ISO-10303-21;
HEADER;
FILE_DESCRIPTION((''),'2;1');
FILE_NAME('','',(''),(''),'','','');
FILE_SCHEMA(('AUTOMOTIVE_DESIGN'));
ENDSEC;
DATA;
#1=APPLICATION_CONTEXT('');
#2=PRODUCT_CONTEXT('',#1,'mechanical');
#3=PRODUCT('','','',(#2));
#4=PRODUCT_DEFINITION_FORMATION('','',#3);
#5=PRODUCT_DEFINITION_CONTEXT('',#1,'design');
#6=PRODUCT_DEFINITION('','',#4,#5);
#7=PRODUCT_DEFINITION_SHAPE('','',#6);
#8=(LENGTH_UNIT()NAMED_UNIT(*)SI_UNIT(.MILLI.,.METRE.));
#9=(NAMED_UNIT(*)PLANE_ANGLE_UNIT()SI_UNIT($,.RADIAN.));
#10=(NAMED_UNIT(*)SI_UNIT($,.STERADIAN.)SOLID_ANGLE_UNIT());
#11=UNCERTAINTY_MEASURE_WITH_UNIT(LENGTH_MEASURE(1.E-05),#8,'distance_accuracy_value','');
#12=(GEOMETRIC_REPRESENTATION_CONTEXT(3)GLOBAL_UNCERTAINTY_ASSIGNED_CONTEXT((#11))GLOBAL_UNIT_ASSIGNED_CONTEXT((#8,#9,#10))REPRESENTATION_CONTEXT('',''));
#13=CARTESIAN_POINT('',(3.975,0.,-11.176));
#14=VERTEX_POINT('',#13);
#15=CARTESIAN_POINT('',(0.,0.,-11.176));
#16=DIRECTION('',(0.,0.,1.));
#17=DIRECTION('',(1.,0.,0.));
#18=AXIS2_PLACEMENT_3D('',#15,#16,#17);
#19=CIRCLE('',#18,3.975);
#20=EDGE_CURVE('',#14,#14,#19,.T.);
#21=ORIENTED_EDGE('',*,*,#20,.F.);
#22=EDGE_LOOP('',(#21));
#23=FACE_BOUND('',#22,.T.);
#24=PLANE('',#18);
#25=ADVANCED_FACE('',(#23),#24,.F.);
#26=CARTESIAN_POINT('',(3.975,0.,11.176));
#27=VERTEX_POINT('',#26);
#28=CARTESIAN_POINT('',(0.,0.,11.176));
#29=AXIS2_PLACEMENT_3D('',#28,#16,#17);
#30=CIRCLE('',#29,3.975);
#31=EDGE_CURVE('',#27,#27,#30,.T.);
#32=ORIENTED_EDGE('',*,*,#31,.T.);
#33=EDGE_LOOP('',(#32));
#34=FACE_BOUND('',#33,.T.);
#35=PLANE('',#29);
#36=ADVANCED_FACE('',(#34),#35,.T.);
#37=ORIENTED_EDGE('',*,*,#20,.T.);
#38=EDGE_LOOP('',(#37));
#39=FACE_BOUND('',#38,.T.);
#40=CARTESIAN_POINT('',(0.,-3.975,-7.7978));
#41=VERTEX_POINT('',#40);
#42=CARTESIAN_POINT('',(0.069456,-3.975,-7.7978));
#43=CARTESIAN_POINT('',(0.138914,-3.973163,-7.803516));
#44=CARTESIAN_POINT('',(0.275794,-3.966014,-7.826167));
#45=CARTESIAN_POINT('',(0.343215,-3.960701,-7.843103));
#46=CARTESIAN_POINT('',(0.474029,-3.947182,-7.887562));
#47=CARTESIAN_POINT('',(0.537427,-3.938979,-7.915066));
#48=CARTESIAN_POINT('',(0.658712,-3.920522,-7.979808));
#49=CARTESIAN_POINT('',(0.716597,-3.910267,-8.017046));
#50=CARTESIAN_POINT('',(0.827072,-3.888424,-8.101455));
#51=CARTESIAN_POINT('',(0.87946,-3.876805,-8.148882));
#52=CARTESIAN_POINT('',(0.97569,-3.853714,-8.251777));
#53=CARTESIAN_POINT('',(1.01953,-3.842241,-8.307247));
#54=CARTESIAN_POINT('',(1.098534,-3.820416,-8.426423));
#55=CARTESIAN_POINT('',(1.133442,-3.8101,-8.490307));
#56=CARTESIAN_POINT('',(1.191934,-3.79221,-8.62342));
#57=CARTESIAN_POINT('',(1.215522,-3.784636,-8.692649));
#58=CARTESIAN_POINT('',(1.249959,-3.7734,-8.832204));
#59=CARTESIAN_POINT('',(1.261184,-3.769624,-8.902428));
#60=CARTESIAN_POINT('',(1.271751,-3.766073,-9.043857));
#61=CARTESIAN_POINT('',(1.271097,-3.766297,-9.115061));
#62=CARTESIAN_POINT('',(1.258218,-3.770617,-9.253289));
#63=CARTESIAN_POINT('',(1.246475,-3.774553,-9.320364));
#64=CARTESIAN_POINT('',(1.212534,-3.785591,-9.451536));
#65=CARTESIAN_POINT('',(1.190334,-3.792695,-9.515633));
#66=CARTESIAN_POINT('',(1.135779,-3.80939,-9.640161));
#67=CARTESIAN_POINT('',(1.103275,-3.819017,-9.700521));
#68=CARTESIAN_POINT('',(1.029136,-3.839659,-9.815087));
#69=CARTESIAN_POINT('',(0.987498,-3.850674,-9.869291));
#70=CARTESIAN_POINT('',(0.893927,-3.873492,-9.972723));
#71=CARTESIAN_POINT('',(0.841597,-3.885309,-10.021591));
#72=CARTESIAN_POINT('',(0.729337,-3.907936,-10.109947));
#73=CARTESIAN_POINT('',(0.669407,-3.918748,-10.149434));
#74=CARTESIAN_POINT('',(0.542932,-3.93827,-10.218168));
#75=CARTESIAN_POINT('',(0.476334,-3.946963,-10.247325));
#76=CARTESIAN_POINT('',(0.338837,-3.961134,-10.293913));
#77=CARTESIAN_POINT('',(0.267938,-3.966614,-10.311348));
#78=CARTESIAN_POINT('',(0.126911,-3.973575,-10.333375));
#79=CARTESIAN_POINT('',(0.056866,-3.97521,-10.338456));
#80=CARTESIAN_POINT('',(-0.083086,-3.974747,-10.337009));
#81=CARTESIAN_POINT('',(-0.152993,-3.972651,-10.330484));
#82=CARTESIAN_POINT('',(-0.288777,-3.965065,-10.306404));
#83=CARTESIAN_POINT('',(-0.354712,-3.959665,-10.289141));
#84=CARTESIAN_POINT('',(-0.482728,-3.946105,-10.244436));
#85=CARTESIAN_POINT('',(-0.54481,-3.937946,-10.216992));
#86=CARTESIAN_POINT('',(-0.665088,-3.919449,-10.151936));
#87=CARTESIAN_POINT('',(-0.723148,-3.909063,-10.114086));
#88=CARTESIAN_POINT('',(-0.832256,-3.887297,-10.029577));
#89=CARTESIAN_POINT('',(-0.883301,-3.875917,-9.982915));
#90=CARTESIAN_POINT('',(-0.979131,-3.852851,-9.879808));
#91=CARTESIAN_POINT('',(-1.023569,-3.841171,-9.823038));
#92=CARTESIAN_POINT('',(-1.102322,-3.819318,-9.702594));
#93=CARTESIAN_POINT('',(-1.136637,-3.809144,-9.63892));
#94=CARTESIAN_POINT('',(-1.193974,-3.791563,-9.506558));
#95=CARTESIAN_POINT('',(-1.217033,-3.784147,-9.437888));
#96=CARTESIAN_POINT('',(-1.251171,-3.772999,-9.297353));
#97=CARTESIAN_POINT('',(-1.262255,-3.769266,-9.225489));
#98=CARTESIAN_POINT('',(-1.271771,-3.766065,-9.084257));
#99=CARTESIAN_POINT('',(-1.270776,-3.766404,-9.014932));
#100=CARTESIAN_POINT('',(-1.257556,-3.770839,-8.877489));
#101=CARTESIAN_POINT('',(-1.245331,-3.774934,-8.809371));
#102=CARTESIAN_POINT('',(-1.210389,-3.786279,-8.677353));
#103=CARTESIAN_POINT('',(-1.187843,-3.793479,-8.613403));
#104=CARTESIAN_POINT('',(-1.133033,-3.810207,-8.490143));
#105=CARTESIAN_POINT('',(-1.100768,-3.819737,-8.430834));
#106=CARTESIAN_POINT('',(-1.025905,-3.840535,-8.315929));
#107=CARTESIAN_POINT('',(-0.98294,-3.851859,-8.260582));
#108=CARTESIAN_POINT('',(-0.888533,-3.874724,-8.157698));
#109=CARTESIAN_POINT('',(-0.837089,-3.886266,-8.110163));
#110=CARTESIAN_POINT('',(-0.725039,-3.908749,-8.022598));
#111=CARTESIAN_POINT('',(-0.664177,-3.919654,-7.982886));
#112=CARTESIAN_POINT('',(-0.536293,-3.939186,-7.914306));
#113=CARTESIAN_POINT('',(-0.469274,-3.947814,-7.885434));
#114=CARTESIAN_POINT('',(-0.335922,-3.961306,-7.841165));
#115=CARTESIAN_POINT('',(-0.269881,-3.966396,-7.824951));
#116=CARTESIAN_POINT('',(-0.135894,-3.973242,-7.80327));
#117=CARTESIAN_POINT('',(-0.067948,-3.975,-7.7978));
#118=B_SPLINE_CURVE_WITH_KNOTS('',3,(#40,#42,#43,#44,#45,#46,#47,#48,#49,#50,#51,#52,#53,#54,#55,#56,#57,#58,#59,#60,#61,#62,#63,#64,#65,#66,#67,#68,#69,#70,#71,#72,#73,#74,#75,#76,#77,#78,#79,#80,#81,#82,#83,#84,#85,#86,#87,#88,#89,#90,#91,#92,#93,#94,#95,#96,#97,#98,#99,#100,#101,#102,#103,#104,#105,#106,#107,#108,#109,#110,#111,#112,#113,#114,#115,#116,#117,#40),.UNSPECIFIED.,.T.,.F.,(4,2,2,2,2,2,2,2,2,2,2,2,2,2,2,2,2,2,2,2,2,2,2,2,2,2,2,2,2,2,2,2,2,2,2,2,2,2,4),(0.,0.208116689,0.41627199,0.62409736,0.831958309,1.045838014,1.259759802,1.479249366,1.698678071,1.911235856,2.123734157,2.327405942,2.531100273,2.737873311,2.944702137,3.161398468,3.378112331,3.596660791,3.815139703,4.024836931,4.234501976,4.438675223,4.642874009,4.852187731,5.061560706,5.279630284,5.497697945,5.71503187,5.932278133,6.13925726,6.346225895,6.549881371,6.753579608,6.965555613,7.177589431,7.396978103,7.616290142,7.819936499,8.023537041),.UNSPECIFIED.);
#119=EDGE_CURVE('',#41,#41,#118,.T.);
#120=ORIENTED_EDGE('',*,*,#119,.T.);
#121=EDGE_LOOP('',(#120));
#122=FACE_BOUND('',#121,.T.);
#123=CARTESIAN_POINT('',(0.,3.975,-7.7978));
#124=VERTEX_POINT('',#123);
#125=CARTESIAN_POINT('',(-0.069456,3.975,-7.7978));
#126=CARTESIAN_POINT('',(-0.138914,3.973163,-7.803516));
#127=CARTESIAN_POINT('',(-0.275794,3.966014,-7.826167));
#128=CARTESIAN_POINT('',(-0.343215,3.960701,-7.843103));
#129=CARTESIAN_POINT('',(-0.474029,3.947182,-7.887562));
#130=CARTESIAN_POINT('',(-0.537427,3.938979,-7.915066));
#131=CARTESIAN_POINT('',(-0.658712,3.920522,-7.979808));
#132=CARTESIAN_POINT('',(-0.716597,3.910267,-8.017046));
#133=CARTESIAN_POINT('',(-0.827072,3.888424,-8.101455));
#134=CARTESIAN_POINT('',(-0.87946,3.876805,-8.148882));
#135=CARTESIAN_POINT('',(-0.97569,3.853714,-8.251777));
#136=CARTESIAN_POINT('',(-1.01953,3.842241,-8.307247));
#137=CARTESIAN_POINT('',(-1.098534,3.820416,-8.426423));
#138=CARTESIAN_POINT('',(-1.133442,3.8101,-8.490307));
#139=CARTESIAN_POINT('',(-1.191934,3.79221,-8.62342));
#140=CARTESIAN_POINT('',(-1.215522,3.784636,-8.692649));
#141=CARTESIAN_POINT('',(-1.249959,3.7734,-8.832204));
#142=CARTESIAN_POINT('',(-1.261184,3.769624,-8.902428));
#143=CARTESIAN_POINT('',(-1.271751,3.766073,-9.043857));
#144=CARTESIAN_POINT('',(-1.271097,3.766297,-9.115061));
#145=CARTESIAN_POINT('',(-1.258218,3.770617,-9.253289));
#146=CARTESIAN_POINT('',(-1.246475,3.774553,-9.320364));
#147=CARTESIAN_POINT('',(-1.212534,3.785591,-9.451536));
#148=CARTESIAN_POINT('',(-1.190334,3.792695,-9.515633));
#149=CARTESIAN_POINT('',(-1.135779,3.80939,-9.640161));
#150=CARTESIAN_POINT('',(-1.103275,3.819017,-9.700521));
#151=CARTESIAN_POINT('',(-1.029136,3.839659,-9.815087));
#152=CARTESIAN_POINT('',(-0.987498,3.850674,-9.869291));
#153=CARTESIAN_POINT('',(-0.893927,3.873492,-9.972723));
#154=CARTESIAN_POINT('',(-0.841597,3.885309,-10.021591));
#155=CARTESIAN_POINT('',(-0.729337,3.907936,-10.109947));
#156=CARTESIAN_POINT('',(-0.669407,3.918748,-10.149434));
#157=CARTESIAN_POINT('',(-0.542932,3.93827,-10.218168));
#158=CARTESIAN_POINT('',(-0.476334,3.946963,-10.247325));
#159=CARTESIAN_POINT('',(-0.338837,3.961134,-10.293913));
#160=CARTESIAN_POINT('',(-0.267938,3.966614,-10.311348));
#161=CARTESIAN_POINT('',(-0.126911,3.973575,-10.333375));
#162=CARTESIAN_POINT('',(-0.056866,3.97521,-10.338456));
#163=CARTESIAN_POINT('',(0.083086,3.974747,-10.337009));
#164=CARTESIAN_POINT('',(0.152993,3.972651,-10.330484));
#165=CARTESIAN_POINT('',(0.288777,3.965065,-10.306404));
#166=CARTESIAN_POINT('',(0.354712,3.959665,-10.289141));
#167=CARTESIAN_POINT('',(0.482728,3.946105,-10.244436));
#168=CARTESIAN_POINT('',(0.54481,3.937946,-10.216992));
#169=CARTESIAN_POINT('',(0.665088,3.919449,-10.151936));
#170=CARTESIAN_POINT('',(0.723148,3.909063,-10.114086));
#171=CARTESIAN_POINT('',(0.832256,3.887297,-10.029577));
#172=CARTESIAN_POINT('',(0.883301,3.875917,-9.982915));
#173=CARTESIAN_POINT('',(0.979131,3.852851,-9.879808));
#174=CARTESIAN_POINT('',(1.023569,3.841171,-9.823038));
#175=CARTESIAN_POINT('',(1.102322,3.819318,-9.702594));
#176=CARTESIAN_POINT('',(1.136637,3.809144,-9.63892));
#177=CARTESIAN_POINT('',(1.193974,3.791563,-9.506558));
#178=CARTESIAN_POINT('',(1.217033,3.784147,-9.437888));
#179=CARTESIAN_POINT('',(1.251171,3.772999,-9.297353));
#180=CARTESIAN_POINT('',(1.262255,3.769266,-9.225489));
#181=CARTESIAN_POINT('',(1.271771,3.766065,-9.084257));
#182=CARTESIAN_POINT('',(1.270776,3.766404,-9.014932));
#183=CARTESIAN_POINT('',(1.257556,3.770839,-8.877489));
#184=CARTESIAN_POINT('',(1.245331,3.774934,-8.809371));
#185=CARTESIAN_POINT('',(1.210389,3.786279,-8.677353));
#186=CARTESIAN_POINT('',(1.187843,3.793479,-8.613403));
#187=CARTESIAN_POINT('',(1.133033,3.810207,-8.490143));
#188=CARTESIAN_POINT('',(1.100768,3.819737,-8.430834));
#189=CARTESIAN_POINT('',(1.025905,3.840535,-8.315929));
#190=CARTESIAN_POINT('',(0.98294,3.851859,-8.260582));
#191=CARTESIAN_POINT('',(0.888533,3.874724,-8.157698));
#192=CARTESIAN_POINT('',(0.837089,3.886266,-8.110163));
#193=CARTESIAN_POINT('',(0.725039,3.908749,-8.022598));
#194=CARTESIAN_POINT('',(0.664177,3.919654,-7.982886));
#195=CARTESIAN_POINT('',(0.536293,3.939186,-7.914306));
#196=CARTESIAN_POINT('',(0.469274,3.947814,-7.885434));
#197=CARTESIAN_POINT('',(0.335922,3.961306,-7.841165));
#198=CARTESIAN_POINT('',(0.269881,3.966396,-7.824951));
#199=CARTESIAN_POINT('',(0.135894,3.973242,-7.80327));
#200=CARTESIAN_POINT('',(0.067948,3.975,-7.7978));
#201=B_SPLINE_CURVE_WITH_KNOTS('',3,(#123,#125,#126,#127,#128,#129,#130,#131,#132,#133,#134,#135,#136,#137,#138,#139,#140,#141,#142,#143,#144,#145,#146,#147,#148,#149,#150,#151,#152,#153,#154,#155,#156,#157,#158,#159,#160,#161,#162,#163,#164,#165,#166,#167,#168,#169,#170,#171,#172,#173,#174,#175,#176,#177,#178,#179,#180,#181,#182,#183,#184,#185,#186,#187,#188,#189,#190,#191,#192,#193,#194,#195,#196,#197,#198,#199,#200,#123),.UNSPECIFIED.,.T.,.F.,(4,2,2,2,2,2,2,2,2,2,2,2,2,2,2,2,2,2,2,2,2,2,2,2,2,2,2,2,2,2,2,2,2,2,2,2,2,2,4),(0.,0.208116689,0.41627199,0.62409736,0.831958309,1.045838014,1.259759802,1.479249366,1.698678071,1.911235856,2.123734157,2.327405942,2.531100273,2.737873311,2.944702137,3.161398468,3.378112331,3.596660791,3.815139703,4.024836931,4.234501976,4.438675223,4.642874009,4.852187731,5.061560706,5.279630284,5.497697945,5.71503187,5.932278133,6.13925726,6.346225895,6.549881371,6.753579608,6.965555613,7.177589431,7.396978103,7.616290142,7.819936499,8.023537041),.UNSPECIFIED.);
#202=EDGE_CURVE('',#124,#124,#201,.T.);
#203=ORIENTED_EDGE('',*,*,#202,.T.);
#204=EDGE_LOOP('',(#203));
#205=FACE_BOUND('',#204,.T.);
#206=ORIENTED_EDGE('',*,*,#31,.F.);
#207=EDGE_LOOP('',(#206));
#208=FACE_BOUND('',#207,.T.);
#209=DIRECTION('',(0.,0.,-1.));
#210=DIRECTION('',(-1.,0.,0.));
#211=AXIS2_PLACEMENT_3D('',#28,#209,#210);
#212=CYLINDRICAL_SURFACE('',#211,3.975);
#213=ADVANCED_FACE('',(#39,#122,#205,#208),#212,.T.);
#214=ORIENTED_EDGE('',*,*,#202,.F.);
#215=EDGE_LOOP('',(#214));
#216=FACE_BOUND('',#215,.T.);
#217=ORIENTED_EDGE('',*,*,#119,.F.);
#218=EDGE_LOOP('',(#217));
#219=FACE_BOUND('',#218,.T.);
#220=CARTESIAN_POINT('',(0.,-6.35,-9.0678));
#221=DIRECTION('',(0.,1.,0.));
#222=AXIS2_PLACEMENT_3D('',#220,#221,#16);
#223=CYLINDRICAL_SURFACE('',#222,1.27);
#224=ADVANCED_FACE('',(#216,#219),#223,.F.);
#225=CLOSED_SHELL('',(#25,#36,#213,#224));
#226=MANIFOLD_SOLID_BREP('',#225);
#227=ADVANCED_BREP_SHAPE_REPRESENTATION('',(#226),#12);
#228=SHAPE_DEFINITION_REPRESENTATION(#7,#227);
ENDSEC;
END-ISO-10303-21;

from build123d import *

# Parameters (mm, degrees)
SKETCH1_R           = 3.975
BOSS_EXTRUDE1_DEPTH = 11.176
SKETCH2_R           = 1.27
CUT_EXTRUDE1_DEPTH  = 6.35


with BuildPart() as part:
    # Sketch1 → Boss-Extrude1 (new, symmetric)
    with BuildSketch(Plane.XY):
        Circle(SKETCH1_R)
    extrude(amount=BOSS_EXTRUDE1_DEPTH, both=True)

    # Sketch2 → Cut-Extrude1 (cut, symmetric)
    with BuildSketch(Plane(origin=(0, 0, 0), x_dir=(1, 0, 0), z_dir=(0, 1, 0))):
        with Locations(Location((0, 9.0678, 0), (0, 0, 270))):
            Circle(SKETCH2_R)
    extrude(amount=CUT_EXTRUDE1_DEPTH, both=True, mode=Mode.SUBTRACT)


solid = part.part
